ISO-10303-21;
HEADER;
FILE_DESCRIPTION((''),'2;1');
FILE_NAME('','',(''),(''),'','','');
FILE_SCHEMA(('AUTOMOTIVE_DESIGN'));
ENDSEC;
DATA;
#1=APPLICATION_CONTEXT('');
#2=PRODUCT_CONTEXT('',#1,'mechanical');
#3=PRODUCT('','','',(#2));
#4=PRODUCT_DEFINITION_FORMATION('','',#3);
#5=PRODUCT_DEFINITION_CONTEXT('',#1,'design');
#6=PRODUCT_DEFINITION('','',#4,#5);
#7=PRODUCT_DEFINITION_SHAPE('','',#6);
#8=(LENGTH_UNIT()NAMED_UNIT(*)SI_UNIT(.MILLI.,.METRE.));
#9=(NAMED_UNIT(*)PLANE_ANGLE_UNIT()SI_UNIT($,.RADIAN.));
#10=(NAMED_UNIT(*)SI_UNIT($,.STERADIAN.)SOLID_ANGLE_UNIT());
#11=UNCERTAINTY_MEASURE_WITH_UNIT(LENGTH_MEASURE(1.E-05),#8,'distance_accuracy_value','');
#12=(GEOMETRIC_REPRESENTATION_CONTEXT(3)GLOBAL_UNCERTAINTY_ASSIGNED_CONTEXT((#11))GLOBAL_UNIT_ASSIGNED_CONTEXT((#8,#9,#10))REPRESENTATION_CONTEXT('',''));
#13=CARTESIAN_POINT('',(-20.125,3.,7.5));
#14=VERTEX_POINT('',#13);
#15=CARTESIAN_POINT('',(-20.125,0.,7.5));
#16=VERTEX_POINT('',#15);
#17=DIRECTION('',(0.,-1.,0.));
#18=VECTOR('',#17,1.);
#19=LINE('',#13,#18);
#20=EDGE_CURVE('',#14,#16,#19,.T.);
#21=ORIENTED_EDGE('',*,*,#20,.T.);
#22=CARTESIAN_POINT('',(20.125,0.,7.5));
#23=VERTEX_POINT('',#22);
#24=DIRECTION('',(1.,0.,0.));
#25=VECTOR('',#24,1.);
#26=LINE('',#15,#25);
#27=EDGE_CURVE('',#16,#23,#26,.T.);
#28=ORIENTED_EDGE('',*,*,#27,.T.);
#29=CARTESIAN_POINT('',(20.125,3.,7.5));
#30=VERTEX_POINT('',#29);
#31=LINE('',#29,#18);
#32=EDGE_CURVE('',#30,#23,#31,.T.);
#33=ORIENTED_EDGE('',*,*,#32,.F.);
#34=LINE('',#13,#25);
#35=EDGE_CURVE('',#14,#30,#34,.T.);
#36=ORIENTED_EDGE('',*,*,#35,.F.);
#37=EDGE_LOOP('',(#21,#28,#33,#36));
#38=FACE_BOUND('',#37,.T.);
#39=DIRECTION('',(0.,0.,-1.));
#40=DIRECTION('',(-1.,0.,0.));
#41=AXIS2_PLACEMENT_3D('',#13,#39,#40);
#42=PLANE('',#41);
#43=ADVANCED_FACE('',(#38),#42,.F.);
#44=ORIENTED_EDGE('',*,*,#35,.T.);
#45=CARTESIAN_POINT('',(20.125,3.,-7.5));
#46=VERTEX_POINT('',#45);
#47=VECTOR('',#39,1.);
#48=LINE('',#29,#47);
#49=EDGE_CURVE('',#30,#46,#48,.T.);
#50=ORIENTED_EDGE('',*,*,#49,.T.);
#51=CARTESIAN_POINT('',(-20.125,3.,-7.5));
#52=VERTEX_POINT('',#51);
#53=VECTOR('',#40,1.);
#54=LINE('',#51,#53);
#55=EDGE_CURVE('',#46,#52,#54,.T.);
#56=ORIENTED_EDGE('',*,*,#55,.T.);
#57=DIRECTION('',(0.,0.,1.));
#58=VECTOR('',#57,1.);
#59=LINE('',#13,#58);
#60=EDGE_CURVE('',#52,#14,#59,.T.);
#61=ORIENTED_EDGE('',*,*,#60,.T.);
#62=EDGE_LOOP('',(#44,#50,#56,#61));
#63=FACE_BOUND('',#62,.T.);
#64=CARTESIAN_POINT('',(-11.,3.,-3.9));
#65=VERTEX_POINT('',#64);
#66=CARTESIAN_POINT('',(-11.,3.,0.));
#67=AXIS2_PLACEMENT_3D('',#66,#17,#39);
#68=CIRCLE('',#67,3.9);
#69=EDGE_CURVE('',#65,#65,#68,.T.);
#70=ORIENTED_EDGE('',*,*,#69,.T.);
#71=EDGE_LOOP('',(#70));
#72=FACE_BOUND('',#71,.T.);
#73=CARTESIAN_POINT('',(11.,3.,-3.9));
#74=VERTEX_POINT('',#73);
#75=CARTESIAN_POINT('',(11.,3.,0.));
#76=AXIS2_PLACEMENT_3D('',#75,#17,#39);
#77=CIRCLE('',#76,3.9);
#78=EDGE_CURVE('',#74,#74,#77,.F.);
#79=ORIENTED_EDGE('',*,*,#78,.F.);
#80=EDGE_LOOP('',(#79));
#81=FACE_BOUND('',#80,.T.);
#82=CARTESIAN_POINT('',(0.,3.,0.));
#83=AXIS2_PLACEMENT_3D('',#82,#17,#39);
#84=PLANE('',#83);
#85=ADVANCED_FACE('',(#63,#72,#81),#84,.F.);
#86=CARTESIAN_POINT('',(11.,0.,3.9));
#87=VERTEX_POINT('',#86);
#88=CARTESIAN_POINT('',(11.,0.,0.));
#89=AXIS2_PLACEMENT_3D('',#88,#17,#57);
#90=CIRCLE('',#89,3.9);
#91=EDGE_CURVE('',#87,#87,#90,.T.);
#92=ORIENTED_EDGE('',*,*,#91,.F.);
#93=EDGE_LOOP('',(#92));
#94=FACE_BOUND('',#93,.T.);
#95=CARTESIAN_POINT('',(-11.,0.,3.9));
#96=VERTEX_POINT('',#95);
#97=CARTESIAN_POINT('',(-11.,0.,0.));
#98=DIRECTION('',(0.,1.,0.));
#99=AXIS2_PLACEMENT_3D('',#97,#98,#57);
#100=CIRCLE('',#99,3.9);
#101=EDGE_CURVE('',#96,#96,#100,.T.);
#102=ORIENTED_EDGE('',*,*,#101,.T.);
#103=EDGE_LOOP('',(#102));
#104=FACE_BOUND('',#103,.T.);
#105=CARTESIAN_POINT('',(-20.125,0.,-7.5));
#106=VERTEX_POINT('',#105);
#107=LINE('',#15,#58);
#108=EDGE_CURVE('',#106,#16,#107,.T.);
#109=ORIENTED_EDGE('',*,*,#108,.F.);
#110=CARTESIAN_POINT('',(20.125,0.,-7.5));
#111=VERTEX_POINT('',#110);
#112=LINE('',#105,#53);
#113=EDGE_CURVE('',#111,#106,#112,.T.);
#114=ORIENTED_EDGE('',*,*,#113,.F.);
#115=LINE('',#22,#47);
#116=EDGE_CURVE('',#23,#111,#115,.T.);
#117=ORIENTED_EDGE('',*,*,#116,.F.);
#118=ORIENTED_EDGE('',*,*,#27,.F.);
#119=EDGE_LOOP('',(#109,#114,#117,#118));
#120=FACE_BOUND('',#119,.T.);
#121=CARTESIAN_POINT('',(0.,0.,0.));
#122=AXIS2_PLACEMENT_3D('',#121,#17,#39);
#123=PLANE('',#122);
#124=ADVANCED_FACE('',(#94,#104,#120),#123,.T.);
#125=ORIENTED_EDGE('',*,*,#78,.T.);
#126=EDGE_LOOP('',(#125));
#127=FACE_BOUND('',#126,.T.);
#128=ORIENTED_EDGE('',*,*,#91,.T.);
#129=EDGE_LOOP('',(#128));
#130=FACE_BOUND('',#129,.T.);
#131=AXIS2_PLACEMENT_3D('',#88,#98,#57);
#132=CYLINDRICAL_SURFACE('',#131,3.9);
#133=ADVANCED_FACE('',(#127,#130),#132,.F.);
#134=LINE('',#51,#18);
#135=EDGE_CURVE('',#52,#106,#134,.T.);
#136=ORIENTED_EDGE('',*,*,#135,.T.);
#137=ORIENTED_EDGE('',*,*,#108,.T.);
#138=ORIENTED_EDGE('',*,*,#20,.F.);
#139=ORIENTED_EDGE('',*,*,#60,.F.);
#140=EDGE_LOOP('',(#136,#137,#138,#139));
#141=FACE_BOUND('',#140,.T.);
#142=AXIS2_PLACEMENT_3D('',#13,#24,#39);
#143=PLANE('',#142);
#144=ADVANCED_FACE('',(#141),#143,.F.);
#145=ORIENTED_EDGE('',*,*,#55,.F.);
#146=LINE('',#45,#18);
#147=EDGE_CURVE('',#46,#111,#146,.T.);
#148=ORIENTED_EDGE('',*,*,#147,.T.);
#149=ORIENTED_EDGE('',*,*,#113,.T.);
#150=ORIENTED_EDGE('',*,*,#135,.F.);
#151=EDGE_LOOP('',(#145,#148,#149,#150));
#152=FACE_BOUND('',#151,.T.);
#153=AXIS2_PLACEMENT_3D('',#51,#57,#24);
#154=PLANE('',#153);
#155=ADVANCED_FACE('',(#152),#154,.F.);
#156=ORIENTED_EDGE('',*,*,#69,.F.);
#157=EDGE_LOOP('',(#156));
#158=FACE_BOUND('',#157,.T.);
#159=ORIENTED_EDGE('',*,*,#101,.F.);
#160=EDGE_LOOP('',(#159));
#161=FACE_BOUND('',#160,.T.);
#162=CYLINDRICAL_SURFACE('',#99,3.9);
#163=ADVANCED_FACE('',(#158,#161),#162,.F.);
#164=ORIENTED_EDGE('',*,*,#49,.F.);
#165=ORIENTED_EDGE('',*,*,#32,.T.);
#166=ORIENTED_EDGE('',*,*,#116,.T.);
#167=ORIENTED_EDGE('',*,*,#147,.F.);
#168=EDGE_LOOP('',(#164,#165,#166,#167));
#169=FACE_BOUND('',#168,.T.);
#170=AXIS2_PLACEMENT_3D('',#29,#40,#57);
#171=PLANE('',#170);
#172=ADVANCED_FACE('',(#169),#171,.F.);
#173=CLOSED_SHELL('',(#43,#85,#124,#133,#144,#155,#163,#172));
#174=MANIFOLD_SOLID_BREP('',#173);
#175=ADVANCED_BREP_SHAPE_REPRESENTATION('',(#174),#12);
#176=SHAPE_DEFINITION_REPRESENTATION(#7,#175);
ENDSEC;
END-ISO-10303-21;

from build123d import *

# Parameters (mm, degrees)
SKETCH1_W           = 40.25
SKETCH1_H           = 15
BOSS_EXTRUDE1_DEPTH = 3
CUT_EXTRUDE1_START  = -4
SKETCH2_R           = 3.9
CUT_EXTRUDE1_DEPTH  = 5


with BuildPart() as part:
    # Sketch1 → Boss-Extrude1 (new body)
    with BuildSketch(Plane(origin=(0, 0, 0), x_dir=(1, 0, 0), z_dir=(0, 1, 0))):
        Rectangle(SKETCH1_W, SKETCH1_H)
    extrude(amount=BOSS_EXTRUDE1_DEPTH)

    # Sketch2 → Cut-Extrude1 (cut)
    with BuildSketch(Plane(origin=(0, 3, 0), x_dir=(1, 0, 0), z_dir=(0, 1, 0)).offset(CUT_EXTRUDE1_START)):
        with Locations((-11, 0)):
            Circle(SKETCH2_R)
    cut_extrude1 = extrude(amount=CUT_EXTRUDE1_DEPTH, mode=Mode.SUBTRACT)

    # Mirror1: Cut-Extrude1 across plane
    add(cut_extrude1.mirror(Plane(origin=(0, 0, 0), x_dir=(0, 0, 1), z_dir=(1, 0, 0))), mode=Mode.SUBTRACT)


solid = part.part
